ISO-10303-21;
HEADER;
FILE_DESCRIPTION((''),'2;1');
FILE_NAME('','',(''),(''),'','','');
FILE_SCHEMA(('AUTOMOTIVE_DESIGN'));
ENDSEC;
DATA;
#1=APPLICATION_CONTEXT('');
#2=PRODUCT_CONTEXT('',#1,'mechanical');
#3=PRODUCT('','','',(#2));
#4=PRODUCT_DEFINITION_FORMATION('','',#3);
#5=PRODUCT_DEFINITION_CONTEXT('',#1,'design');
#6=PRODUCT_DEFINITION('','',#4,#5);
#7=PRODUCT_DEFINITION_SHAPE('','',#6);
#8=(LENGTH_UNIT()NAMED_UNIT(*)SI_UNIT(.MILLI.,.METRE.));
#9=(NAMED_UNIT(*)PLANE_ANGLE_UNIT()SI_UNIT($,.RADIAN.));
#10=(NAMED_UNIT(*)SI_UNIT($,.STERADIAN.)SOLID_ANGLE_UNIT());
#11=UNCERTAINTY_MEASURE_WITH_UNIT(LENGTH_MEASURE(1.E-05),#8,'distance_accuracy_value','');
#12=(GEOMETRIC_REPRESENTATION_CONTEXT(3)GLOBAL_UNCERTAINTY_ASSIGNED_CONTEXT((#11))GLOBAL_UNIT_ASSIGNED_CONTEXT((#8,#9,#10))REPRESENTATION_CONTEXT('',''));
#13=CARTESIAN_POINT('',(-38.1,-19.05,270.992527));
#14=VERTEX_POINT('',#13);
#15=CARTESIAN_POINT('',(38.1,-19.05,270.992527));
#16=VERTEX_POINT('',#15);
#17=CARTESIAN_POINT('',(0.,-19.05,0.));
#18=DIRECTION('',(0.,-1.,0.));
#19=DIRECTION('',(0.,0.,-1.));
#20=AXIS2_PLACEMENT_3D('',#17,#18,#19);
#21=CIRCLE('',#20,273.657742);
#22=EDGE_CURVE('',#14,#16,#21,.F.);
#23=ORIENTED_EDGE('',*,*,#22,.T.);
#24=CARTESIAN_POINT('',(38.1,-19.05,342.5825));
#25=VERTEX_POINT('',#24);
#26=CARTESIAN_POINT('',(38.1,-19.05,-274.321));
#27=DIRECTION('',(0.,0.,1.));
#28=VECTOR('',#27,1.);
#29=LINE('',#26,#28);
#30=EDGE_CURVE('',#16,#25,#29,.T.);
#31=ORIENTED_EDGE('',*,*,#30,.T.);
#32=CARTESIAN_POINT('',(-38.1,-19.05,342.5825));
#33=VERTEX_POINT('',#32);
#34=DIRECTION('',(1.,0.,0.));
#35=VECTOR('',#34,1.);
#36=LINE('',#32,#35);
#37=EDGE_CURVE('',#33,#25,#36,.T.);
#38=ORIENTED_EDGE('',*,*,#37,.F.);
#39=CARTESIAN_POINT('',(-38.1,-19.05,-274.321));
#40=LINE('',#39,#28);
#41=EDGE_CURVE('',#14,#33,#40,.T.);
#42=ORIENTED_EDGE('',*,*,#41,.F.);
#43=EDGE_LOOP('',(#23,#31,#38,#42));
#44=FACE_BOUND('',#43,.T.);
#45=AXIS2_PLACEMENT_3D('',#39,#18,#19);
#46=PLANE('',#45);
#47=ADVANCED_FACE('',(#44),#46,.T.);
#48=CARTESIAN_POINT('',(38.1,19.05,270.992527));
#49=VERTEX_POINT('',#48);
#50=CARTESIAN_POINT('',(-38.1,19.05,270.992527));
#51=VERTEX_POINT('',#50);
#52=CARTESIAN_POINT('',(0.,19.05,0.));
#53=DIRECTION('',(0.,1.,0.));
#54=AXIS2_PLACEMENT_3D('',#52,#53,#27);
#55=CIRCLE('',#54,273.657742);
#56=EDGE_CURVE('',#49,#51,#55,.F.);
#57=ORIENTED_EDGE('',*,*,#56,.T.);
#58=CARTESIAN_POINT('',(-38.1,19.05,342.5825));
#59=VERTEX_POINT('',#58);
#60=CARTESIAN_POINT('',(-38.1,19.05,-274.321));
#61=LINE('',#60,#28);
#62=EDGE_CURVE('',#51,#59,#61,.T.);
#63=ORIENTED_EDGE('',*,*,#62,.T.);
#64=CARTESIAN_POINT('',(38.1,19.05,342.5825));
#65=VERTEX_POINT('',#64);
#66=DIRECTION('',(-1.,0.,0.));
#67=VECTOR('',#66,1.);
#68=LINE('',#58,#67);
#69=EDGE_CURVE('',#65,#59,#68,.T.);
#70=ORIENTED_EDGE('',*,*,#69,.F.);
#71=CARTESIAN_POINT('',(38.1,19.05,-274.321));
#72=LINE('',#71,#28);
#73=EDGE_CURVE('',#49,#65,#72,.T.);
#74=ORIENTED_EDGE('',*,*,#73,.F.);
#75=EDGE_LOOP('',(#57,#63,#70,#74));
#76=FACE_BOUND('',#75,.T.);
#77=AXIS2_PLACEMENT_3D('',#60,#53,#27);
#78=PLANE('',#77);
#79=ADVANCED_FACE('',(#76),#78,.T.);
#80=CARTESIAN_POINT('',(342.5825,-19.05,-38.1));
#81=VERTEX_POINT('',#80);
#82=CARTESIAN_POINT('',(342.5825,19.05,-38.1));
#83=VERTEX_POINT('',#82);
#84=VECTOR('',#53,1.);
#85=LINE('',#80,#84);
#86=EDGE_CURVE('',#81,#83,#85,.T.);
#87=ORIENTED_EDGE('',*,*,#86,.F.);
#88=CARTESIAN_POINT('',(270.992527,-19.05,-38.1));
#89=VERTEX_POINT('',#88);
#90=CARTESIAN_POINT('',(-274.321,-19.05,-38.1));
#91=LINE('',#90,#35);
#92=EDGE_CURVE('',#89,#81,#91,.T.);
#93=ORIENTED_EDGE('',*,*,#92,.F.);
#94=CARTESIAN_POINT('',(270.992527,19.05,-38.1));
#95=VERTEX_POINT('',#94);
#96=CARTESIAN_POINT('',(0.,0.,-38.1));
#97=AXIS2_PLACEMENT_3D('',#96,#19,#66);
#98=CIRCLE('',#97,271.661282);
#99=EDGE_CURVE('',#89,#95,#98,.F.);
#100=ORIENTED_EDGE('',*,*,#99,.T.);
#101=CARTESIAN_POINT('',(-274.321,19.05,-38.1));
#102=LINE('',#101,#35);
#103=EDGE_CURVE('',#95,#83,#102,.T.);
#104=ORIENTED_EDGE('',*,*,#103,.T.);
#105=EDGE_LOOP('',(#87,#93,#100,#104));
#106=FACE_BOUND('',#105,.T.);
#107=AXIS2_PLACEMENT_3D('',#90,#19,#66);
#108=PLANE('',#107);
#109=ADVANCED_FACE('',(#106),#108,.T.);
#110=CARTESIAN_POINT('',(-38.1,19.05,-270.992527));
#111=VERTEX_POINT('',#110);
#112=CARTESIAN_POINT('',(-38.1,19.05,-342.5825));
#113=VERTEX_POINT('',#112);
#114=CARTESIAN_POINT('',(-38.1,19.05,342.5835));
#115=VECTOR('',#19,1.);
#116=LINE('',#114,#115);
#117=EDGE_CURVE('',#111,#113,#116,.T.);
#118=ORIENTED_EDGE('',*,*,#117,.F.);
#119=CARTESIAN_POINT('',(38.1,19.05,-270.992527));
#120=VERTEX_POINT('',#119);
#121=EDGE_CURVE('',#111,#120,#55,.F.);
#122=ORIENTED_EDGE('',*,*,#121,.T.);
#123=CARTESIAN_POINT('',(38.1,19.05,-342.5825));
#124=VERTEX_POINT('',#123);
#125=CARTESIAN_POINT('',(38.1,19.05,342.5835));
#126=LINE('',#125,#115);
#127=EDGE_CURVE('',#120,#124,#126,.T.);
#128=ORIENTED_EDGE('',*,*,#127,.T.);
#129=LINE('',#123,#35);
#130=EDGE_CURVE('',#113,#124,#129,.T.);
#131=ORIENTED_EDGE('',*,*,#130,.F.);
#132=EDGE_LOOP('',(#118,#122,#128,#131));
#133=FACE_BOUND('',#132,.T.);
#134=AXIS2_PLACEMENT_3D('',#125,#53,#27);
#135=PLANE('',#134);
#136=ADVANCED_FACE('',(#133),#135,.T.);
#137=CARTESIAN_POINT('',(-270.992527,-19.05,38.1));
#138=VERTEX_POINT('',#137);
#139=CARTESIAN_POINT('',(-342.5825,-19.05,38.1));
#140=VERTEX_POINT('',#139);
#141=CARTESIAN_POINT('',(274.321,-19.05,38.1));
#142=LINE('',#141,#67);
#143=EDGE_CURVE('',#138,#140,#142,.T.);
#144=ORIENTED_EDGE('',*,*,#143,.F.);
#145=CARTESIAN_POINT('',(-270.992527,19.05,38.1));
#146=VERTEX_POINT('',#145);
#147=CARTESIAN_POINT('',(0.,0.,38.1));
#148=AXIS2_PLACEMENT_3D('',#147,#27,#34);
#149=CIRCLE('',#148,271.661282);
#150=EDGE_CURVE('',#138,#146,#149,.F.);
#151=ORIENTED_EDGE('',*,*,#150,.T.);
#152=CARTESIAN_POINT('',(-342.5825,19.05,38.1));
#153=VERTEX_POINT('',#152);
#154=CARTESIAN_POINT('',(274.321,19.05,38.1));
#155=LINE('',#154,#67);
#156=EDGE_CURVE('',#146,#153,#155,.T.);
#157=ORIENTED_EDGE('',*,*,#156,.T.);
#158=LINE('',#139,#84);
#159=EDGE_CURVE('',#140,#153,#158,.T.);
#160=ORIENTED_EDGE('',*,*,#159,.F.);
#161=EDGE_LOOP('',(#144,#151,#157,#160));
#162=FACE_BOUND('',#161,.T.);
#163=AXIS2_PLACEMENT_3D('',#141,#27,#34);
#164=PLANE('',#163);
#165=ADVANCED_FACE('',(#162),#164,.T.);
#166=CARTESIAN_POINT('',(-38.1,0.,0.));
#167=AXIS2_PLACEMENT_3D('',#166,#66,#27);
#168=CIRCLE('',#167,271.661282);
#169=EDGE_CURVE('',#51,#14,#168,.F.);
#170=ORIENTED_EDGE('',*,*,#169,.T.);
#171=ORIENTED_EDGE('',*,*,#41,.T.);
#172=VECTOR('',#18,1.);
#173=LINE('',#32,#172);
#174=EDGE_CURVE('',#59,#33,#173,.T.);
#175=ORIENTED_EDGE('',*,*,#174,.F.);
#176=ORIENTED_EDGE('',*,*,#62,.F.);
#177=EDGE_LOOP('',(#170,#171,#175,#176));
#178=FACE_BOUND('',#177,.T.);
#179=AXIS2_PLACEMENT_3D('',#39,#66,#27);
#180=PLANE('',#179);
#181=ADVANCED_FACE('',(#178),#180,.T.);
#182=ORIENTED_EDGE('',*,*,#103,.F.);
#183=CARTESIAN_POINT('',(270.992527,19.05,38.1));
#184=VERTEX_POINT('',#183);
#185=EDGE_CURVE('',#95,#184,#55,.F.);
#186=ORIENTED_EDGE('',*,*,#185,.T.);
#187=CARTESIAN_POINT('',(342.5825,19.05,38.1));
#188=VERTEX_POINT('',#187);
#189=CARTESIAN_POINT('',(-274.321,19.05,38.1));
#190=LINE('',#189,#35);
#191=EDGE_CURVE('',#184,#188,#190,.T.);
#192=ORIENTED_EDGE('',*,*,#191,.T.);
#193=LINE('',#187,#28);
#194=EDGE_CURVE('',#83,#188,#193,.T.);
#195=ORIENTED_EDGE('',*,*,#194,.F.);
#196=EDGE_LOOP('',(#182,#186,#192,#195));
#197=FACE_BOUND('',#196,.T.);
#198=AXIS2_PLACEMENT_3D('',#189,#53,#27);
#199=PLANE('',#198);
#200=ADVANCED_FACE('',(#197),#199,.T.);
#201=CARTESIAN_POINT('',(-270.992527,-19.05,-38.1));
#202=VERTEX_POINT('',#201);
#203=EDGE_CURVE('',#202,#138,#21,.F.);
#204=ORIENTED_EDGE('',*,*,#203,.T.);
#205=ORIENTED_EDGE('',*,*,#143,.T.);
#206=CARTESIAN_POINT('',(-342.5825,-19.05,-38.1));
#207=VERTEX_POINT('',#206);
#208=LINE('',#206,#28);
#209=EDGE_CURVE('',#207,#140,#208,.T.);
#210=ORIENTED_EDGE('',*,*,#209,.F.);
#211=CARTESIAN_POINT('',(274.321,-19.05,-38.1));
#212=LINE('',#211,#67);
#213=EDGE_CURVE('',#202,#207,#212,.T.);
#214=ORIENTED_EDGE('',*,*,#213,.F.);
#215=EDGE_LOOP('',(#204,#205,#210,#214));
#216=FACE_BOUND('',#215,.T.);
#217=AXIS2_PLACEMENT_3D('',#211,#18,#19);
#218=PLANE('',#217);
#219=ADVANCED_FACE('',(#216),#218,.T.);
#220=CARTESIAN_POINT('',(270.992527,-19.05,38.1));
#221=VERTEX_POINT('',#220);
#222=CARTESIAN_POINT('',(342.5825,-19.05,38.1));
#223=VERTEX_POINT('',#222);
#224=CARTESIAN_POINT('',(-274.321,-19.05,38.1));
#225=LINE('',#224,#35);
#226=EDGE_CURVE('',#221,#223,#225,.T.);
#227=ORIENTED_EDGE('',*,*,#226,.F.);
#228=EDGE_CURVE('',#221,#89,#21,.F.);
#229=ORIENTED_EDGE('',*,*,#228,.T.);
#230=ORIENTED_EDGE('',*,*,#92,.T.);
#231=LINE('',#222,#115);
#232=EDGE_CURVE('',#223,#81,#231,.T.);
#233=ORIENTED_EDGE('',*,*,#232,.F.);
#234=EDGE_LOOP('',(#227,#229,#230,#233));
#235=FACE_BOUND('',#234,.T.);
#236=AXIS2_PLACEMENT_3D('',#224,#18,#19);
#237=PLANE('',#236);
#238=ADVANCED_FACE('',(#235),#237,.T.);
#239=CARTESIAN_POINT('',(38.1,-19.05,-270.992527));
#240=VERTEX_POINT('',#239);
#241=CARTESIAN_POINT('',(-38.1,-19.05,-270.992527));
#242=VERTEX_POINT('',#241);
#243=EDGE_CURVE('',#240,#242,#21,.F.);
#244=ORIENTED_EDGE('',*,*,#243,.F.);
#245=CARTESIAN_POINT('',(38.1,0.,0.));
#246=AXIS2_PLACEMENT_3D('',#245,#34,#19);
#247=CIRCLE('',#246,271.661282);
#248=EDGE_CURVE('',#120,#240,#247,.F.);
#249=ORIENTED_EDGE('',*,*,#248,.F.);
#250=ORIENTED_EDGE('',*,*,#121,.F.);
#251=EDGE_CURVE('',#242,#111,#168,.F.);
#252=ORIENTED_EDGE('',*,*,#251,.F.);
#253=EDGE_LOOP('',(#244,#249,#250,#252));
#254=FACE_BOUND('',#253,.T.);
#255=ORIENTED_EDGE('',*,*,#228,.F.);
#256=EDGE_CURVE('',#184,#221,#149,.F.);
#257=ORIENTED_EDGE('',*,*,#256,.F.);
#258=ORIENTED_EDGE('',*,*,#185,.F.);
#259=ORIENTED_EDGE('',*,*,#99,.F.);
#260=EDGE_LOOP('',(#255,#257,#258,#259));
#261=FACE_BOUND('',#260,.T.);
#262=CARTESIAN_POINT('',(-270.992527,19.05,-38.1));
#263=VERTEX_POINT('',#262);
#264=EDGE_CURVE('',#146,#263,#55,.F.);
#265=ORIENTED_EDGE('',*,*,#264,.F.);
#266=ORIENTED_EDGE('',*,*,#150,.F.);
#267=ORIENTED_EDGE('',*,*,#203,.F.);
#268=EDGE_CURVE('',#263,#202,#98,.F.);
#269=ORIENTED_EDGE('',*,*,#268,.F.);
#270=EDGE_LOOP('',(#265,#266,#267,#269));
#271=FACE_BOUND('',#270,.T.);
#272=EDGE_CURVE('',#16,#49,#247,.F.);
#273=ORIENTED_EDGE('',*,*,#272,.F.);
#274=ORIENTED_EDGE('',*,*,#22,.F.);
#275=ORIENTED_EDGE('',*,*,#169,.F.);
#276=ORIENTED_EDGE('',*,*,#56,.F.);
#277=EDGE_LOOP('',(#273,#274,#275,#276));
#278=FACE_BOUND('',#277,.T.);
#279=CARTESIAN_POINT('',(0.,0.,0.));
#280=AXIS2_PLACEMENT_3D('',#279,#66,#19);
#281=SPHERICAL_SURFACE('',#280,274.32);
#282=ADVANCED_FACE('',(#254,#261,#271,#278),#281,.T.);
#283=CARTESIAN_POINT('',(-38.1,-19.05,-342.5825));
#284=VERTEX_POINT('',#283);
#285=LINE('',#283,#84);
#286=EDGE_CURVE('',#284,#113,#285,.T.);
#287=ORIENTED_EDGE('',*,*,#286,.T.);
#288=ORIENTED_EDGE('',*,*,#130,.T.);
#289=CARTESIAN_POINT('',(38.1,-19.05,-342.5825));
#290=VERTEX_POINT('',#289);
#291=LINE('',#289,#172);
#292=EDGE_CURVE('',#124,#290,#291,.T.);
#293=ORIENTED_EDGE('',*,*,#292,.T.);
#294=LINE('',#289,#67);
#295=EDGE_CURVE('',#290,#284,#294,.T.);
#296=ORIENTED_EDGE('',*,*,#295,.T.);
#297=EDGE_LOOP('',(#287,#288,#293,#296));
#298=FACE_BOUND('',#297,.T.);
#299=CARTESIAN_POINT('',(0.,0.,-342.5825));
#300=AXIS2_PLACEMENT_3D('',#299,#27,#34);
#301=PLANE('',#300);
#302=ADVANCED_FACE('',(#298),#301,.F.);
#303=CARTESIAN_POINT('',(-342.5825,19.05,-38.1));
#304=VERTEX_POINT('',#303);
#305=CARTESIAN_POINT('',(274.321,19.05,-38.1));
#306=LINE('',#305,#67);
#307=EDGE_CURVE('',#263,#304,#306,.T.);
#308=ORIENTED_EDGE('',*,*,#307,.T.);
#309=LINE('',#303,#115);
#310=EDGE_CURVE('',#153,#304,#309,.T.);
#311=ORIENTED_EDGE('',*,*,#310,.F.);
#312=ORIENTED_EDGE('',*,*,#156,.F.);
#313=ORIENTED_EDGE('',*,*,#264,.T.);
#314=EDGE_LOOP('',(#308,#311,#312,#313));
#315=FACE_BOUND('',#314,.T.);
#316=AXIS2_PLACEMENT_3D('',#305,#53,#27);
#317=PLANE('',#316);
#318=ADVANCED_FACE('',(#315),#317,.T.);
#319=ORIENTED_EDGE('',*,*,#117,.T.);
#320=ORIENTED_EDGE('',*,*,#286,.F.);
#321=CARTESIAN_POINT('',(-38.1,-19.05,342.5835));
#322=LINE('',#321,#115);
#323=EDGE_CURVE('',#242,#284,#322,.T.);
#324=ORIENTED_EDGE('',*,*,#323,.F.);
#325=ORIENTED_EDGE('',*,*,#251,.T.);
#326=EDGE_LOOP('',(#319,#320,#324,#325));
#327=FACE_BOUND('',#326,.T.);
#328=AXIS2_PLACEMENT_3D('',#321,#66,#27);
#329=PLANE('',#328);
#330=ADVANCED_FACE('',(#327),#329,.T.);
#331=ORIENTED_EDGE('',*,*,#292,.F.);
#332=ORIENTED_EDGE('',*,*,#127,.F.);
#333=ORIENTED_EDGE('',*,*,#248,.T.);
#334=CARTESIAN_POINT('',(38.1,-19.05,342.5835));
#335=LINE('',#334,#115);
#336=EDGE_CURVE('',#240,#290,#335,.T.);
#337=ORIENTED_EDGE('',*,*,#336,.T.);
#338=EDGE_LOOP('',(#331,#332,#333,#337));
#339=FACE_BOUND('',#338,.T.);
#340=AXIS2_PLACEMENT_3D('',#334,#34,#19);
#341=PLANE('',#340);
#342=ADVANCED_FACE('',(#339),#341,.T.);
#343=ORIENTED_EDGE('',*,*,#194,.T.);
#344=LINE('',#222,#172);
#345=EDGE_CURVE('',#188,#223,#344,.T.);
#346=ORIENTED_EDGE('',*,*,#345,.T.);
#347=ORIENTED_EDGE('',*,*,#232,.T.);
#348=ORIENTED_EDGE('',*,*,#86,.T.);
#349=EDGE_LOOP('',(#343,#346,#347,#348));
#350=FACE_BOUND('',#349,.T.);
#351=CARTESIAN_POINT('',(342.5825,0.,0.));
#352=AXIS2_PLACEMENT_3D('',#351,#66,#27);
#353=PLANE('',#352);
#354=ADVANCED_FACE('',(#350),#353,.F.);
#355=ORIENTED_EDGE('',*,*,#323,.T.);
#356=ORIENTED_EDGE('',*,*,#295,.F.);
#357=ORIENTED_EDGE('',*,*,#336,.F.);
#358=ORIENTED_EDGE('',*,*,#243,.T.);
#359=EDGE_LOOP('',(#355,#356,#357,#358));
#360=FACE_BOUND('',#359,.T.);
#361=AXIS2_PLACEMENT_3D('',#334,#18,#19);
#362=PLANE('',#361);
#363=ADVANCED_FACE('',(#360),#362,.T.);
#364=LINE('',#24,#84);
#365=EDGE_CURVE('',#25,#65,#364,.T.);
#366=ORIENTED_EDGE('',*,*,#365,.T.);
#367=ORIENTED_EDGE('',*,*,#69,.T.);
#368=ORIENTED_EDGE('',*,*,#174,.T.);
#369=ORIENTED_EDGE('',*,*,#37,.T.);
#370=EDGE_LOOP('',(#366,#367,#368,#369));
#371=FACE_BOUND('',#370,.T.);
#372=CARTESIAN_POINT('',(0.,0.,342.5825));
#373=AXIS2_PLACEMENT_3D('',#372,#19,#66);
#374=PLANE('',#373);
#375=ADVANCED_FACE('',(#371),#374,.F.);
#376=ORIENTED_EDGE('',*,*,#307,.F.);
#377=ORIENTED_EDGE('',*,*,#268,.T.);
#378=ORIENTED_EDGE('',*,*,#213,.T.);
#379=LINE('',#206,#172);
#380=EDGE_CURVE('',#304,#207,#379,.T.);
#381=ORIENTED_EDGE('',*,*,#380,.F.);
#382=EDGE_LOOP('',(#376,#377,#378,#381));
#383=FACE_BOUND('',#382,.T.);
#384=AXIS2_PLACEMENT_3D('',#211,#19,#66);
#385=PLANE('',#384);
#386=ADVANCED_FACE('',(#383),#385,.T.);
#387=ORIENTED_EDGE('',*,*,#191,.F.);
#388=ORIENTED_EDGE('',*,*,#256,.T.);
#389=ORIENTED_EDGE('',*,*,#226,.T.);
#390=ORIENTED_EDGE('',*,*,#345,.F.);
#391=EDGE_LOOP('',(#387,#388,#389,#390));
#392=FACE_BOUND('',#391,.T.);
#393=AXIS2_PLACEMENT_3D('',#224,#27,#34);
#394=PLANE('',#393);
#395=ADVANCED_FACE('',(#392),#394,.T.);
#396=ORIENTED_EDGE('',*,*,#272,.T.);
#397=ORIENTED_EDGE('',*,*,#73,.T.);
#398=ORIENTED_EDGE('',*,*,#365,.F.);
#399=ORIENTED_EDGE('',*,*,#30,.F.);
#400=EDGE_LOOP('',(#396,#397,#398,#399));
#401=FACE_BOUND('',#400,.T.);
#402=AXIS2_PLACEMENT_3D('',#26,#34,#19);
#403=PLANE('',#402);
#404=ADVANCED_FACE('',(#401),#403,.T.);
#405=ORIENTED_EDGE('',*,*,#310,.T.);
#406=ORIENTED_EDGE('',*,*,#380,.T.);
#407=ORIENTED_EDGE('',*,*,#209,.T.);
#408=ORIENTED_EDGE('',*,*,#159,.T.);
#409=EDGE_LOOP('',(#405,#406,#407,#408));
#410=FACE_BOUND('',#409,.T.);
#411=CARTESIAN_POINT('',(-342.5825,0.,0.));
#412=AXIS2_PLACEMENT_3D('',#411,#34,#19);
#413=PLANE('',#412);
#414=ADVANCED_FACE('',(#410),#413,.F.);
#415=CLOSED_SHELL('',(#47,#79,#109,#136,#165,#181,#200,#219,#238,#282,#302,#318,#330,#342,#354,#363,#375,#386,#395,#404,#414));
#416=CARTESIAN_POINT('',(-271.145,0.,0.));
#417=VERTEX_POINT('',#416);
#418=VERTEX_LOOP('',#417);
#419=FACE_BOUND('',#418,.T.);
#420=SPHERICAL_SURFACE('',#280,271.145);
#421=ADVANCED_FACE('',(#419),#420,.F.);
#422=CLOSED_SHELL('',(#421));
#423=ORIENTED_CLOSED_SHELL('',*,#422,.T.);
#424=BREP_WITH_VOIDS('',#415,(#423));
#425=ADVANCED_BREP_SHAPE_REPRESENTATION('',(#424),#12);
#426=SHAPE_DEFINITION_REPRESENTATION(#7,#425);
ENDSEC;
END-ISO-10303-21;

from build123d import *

# Parameters (mm, degrees)
SHELL1_T                 = 3.175
BOSS_EXTRUDE1_REACH      = 730.747
BOSS_EXTRUDE1_END_RADIUS = 274.32
SKETCH4_W                = 76.2
SKETCH4_H                = 38.1
CIRPATTERN1_COUNT        = 4


with BuildPart() as part:
    # Sketch1 → Revolve6 (revolve)
    with BuildSketch(Plane(origin=(0, 0, 0), x_dir=(1, 0, 0), z_dir=(0, 1, 0))):
        with BuildLine():
            Line((-274.32, 0), (274.32, 0))
            ThreePointArc((274.32, 0), (0, 274.32), (-274.32, 0))
        make_face()
    revolve(axis=Axis((-274.32, 0, 0), (1, 0, 0)))

    # Shell1 (no face opened: a closed hollow body)
    add(offset(amount=-SHELL1_T, mode=Mode.PRIVATE), mode=Mode.SUBTRACT)

    # Boss-Extrude1: up to this sphere (the profile starts outside it)
    boss_extrude1_end = Location((0, 0, 0)) * Sphere(BOSS_EXTRUDE1_END_RADIUS, mode=Mode.PRIVATE)
    # Sketch4 → Boss-Extrude1 (add, up to the surface)
    with BuildSketch(Plane.XY.offset(342.5825), mode=Mode.PRIVATE) as boss_extrude1_sk1:
        Rectangle(SKETCH4_W, SKETCH4_H)
    boss_extrude1_tool1 = extrude(boss_extrude1_sk1.sketch, amount=-BOSS_EXTRUDE1_REACH, mode=Mode.PRIVATE) - boss_extrude1_end
    boss_extrude1 = boss_extrude1_tool1.solids().sort_by_distance((0, 0, 342.5825))[0]
    add(boss_extrude1)

    # CirPattern1: Boss-Extrude1 ×4 about axis
    cirpattern1_axis = Axis((0, 0, 0), (0, 1, 0))
    for i in range(1, CIRPATTERN1_COUNT):
        add(boss_extrude1.rotate(cirpattern1_axis, i * 360 / CIRPATTERN1_COUNT))


solid = part.part
